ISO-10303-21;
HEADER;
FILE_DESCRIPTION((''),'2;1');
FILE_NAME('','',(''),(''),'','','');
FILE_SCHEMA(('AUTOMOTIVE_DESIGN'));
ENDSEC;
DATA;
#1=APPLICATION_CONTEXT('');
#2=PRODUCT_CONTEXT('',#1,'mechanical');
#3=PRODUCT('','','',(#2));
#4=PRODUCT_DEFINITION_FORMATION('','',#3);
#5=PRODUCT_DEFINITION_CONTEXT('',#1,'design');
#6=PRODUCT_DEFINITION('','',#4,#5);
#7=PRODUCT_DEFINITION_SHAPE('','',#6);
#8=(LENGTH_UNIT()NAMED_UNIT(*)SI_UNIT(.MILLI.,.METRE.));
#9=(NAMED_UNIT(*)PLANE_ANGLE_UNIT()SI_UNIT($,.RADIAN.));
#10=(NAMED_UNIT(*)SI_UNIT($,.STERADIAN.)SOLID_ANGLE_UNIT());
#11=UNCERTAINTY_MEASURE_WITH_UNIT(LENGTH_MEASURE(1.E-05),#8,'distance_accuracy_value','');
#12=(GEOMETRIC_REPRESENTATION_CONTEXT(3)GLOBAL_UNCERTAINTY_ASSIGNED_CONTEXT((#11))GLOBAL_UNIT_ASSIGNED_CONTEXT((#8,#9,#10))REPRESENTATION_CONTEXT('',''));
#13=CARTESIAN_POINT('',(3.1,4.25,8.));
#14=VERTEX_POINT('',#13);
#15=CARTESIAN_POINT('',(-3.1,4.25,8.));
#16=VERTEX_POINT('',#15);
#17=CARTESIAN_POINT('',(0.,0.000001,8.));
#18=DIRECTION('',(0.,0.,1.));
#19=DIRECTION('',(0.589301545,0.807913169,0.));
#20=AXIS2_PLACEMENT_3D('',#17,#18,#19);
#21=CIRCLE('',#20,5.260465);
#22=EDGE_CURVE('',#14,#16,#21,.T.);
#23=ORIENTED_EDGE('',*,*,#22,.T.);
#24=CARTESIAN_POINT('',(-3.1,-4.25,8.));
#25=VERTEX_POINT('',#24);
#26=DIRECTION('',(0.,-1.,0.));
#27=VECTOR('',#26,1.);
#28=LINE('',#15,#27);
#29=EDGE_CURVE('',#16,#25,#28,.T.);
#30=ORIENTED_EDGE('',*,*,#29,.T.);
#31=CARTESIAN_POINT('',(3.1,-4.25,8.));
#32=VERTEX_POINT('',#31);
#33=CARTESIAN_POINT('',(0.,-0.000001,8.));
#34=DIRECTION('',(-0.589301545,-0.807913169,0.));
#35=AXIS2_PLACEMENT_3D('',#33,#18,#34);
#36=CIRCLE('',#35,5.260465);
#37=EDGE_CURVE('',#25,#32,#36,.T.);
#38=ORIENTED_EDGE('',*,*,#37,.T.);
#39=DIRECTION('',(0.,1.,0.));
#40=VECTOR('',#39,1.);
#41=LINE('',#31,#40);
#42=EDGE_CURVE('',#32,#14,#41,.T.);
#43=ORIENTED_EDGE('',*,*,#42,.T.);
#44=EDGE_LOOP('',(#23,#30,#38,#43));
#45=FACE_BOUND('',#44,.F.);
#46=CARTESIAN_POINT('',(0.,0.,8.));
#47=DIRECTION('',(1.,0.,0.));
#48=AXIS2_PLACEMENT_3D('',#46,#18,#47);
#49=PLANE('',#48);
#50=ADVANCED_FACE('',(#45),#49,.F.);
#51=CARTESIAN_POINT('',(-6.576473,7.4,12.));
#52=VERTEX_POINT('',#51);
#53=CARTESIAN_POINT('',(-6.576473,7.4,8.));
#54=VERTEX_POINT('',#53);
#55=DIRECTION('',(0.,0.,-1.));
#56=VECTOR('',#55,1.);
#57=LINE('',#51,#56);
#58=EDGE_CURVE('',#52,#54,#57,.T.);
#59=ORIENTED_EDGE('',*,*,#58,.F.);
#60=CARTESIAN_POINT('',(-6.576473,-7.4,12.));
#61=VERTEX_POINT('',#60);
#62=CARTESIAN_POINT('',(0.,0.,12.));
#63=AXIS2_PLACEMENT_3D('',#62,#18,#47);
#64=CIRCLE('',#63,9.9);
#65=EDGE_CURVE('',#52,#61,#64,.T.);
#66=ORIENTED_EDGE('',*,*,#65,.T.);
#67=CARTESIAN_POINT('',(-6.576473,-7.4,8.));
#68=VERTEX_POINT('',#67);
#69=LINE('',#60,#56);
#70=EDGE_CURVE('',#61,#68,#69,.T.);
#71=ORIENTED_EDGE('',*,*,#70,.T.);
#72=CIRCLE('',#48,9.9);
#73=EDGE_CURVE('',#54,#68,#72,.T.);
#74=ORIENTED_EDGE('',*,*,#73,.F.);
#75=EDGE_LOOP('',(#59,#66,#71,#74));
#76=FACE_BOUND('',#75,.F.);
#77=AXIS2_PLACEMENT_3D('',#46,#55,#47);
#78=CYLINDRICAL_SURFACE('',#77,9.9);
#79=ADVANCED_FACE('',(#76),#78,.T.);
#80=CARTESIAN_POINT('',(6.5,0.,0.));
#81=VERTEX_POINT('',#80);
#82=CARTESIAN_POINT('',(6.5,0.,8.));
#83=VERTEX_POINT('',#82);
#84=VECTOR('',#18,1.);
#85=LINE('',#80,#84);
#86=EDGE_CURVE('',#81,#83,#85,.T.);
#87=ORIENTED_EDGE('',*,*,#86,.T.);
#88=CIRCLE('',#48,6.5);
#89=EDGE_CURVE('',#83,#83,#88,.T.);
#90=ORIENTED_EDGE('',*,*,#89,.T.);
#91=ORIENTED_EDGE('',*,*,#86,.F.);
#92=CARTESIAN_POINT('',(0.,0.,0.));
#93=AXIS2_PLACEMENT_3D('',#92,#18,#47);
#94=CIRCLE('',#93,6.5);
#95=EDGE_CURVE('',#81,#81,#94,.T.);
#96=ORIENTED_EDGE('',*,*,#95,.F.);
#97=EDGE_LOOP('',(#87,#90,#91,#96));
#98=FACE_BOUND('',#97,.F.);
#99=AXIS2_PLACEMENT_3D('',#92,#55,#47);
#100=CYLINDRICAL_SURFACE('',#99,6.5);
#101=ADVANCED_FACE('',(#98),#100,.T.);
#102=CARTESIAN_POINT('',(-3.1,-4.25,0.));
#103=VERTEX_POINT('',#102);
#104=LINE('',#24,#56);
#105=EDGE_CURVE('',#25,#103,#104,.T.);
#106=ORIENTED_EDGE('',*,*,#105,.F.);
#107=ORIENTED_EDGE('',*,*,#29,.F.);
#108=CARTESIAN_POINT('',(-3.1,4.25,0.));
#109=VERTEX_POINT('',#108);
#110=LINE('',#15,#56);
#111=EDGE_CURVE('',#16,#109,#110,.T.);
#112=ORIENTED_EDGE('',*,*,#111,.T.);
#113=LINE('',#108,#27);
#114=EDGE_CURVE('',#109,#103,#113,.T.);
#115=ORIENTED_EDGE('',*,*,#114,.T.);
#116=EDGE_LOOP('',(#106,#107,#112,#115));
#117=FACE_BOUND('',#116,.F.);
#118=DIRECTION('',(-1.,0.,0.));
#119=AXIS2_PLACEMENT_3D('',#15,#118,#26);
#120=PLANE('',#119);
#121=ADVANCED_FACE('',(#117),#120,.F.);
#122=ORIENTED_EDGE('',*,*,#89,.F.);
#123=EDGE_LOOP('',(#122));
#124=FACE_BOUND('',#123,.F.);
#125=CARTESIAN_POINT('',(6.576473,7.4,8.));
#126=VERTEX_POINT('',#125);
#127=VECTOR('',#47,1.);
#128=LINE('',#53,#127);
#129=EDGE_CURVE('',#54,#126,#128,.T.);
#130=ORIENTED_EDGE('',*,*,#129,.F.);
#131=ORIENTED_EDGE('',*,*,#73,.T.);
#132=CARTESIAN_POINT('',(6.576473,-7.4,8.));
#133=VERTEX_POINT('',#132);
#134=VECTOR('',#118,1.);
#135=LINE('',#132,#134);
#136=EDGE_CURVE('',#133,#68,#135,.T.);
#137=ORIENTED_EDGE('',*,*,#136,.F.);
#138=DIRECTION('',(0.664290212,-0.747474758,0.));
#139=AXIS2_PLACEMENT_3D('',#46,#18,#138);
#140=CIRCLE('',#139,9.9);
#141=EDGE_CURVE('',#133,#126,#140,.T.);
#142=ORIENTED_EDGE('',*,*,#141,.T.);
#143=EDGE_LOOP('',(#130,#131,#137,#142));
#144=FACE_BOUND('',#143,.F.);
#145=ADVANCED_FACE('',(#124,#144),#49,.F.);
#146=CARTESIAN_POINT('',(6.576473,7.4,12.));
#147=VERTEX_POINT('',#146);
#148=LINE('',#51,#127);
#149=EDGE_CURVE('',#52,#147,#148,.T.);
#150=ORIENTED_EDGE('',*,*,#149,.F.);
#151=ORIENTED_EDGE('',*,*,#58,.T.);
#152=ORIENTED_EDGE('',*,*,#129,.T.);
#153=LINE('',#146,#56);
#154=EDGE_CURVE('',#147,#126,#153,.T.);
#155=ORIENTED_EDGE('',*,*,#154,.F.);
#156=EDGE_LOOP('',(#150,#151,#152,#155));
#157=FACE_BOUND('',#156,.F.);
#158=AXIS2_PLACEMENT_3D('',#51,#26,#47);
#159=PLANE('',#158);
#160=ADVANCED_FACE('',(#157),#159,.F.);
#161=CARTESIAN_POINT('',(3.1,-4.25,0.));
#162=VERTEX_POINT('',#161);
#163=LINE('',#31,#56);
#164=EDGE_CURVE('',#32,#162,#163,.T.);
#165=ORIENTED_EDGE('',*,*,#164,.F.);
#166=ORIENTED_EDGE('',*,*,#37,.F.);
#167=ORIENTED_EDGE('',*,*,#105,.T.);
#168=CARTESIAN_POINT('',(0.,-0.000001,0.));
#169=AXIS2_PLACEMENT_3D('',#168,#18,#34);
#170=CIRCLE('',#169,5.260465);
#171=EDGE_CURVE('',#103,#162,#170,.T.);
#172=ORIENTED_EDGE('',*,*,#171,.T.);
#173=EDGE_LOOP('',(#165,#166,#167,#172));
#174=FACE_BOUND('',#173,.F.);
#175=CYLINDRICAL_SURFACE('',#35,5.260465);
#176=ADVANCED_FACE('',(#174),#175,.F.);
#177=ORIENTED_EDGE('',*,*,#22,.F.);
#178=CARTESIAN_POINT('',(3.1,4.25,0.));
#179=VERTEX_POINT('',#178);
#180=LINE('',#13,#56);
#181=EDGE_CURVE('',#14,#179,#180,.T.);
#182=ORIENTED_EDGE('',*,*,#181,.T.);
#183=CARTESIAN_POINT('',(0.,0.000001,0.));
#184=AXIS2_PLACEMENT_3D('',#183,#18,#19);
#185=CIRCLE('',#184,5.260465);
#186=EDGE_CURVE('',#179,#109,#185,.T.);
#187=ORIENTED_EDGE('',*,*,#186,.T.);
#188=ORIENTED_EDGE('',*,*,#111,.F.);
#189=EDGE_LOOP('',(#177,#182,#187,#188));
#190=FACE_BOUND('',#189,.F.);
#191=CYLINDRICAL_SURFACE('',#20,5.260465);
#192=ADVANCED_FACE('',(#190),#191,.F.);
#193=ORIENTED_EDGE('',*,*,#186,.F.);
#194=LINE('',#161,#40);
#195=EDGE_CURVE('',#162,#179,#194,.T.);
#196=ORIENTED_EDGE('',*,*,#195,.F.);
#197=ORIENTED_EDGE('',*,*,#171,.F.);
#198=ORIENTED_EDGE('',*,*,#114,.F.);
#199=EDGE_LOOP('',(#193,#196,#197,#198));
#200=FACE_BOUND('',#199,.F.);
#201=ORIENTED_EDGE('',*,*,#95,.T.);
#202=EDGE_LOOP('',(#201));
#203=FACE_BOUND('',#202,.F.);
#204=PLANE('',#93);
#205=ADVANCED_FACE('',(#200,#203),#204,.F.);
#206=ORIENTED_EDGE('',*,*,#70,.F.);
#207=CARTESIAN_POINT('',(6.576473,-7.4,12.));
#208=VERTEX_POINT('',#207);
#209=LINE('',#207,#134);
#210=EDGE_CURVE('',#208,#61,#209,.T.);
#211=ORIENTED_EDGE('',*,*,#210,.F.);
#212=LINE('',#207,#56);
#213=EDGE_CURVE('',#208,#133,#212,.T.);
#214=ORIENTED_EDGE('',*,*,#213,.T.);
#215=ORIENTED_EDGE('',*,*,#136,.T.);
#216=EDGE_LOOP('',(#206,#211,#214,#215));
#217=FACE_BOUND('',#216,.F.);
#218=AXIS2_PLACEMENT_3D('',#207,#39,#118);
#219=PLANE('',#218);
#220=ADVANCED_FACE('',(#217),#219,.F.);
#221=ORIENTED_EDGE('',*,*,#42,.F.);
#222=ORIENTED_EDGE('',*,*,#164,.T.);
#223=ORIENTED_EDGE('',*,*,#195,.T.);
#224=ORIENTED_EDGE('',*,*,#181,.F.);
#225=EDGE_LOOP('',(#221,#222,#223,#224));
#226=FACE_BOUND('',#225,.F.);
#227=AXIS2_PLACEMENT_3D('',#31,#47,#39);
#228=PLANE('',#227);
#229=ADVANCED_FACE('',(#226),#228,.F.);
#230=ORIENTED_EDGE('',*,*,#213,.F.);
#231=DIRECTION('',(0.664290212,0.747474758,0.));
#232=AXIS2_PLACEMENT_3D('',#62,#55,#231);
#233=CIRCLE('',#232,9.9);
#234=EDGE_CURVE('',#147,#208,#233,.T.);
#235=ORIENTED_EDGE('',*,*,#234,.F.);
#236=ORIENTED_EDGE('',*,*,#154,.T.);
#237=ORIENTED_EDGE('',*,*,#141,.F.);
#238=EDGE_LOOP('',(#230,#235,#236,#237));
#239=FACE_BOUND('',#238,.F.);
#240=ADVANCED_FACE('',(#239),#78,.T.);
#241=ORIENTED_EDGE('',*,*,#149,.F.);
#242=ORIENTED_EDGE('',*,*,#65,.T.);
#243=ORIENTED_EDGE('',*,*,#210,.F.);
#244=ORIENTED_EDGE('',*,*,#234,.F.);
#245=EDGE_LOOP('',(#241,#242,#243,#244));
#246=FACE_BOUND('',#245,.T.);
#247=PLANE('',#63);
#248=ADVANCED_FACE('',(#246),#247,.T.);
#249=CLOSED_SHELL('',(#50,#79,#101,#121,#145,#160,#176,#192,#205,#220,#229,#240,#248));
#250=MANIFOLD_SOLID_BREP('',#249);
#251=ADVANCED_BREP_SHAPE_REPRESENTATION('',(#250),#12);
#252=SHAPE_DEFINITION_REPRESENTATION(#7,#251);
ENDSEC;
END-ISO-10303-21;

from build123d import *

# Parameters (mm, degrees)
F0_R     = 6.5
F1_DEPTH = 8
F3_DEPTH = 8
F4_R     = 9.9
F5_DEPTH = 4
F7_DEPTH = 4


with BuildPart() as f1:
    # F0 (on Top) → F1 (new body)
    with BuildSketch(Plane.XY):
        Circle(F0_R)
    extrude(amount=F1_DEPTH)

    # F2 (on face) → F3 (cut, through all)
    with BuildSketch(Plane.XY.offset(8)):
        with BuildLine():
            ThreePointArc((3.1, 4.25), (0, 5.260466), (-3.1, 4.25))
            Line((-3.1, 4.25), (-3.1, -4.25))
            ThreePointArc((-3.1, -4.25), (0, -5.260466), (3.1, -4.25))
            Line((3.1, -4.25), (3.1, 4.25))
        make_face()
    extrude(amount=-F3_DEPTH, mode=Mode.SUBTRACT)

    # F4 (on face) → F5 (join)
    with BuildSketch(Plane.XY.offset(8)):
        Circle(F4_R)
    extrude(amount=F5_DEPTH)

    # F6 (on face) → F7 (cut, through all)
    with BuildSketch(Plane.XY.offset(12)):
        with BuildLine():
            ThreePointArc((6.576473, 7.4), (0, 9.9), (-6.576473, 7.4))
            Line((-6.576473, 7.4), (6.576473, 7.4))
        make_face()
        with BuildLine():
            Line((6.576473, -7.4), (-6.576473, -7.4))
            ThreePointArc((-6.576473, -7.4), (0, -9.9), (6.576473, -7.4))
        make_face()
    extrude(amount=-F7_DEPTH, mode=Mode.SUBTRACT)


solid = f1.part
